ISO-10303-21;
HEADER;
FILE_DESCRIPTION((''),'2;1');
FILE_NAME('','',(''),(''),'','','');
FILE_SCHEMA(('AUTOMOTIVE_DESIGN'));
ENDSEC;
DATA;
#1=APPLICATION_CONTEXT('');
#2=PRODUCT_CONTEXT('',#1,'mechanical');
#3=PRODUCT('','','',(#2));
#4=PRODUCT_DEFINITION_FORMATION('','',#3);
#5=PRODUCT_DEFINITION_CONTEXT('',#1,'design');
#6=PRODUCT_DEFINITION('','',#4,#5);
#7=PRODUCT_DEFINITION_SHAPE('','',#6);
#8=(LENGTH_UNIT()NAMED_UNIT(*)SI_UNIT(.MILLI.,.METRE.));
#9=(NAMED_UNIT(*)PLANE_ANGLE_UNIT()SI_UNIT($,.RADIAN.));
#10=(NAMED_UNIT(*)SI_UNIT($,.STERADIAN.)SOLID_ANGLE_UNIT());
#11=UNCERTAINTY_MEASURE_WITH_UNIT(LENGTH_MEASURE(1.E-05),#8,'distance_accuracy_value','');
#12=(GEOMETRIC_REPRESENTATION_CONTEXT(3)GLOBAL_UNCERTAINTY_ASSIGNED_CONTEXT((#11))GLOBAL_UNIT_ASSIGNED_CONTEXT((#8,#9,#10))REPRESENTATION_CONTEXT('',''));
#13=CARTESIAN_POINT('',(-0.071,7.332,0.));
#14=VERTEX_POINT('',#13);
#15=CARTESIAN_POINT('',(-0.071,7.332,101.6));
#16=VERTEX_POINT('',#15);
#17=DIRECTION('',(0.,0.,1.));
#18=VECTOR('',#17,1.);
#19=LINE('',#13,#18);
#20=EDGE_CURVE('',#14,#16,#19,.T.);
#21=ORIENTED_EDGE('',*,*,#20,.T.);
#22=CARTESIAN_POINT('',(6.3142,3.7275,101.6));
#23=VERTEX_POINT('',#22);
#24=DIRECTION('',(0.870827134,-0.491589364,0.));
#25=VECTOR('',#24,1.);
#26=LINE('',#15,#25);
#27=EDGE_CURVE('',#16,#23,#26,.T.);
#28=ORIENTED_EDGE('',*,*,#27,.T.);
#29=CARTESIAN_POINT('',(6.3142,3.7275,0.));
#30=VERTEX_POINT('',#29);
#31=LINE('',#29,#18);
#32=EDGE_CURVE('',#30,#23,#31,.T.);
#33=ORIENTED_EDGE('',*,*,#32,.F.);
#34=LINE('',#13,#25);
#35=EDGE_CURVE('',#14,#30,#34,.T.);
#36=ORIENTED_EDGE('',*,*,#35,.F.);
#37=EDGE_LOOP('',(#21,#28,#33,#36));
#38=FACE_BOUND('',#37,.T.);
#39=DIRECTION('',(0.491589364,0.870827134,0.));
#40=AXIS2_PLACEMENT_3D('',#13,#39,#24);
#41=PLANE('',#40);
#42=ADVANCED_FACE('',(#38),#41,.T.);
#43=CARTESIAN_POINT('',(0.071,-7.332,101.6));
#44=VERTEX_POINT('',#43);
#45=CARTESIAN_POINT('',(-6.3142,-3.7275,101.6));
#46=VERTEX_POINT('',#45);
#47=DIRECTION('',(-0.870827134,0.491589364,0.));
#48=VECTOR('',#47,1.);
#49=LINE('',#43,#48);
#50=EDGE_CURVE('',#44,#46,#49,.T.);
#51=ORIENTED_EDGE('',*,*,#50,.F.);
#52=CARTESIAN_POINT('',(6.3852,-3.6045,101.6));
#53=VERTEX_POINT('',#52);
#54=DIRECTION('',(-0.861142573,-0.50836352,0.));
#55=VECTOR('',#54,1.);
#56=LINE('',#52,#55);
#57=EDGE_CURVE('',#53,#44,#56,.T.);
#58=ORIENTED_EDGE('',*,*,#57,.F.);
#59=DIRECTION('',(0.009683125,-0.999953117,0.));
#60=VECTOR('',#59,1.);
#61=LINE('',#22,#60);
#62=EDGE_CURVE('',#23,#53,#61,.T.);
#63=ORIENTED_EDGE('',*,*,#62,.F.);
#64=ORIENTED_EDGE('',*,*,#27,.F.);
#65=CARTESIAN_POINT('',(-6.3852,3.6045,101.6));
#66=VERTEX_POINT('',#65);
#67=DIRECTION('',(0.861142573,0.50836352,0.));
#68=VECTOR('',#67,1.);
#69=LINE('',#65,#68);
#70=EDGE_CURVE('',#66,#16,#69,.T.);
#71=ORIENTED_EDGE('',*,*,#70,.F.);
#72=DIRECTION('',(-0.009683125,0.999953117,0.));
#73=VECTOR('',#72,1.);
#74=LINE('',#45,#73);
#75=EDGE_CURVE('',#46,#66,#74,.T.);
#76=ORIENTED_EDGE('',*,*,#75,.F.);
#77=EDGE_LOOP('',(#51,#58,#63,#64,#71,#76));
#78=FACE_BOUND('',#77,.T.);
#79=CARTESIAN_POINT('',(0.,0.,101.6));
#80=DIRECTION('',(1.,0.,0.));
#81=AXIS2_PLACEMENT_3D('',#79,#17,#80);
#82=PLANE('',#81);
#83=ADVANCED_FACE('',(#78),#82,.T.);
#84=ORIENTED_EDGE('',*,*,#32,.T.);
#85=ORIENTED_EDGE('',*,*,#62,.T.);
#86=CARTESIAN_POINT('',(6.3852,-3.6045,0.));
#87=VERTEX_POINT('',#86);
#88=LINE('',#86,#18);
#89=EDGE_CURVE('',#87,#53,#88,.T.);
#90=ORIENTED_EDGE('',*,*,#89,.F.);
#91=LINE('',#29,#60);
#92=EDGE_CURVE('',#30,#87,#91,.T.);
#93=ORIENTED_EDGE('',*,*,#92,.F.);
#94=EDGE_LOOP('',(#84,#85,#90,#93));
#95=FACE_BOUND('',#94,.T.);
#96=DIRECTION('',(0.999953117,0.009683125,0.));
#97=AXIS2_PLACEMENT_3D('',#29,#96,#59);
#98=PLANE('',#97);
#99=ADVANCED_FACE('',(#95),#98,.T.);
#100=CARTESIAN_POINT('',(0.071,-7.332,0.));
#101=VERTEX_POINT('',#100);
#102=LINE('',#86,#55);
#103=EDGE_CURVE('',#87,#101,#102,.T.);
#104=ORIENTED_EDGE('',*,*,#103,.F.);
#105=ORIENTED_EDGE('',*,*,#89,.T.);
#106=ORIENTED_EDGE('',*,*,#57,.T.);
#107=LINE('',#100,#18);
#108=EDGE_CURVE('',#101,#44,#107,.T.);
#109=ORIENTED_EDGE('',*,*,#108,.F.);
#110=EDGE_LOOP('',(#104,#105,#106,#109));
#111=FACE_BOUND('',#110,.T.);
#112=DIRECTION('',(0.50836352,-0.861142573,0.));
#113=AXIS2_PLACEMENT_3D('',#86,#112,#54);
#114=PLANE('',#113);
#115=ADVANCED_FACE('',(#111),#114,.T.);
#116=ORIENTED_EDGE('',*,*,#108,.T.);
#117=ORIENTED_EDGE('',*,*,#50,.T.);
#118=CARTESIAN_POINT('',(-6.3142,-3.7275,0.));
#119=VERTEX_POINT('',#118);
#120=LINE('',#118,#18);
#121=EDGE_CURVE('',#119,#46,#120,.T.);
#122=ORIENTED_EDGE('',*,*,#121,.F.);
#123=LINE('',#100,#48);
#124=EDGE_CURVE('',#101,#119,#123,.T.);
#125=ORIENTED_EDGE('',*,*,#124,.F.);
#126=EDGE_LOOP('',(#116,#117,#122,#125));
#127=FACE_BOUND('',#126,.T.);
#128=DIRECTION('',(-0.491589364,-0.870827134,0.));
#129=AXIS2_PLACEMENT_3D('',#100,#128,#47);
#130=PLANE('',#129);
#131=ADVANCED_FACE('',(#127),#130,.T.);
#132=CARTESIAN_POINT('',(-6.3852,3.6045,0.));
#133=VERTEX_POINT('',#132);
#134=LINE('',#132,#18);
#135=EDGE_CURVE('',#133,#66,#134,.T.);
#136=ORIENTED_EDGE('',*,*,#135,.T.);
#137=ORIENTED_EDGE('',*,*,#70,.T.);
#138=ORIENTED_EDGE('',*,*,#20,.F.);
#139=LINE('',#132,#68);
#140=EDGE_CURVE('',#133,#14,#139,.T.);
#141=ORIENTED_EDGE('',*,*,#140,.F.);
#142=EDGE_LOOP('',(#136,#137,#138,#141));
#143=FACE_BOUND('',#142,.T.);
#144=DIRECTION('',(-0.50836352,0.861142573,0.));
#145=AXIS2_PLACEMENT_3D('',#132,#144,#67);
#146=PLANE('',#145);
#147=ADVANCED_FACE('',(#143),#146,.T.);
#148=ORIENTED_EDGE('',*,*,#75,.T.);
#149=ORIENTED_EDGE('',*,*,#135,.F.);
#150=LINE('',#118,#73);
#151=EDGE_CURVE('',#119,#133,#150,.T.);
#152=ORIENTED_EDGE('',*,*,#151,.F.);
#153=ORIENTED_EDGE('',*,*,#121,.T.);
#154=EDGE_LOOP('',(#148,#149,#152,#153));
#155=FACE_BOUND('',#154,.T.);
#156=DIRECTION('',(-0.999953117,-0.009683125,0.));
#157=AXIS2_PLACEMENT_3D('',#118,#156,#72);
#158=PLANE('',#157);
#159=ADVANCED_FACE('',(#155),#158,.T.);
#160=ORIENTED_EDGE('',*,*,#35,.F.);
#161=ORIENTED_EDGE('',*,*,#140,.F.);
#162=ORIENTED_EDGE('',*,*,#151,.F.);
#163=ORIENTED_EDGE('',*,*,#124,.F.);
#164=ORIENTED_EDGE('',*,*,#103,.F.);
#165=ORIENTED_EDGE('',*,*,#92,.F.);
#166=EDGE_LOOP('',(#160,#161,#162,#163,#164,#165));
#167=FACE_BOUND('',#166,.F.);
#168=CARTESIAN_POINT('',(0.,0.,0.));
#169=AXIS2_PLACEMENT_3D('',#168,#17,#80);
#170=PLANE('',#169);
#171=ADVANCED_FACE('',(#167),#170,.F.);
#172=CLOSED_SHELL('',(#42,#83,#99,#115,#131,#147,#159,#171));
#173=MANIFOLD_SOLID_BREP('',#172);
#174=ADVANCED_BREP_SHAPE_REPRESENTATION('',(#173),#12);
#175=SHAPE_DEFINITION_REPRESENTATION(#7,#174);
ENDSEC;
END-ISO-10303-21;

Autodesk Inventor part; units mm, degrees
ref_plane "YZ Plane" through (0, 0, 0) normal (1, 0, 0) x (0, 1, 0)
ref_plane "XZ Plane" through (0, 0, 0) normal (0, 1, 0) x (-1, 0, 0)
ref_plane "XY Plane" through (0, 0, 0) normal (0, 0, 1) x (1, 0, 0)
sketch "Sketch1" plane through (0, 0, 0) normal (0, 0, 1) x (1, 0, 0)
  line L0 (6.3852, -3.6045) -> (0.071, -7.332)
  line L1 (0.071, -7.332) -> (-6.3142, -3.7275)
  line L2 (-6.3142, -3.7275) -> (-6.3852, 3.6045)
  line L3 (-6.3852, 3.6045) -> (-0.071, 7.332)
  line L4 (-0.071, 7.332) -> (6.3142, 3.7275)
  line L5 (6.3142, 3.7275) -> (6.3852, -3.6045)
  point P0 (0, 0)
  point P1 (0, 0)
  dimension "d0" = 12.7
extrude "Extrusion1" add sketch "Sketch1" along normal blind 101.6
properties part number "rollerwheelpoweraxel" material "Steel"
